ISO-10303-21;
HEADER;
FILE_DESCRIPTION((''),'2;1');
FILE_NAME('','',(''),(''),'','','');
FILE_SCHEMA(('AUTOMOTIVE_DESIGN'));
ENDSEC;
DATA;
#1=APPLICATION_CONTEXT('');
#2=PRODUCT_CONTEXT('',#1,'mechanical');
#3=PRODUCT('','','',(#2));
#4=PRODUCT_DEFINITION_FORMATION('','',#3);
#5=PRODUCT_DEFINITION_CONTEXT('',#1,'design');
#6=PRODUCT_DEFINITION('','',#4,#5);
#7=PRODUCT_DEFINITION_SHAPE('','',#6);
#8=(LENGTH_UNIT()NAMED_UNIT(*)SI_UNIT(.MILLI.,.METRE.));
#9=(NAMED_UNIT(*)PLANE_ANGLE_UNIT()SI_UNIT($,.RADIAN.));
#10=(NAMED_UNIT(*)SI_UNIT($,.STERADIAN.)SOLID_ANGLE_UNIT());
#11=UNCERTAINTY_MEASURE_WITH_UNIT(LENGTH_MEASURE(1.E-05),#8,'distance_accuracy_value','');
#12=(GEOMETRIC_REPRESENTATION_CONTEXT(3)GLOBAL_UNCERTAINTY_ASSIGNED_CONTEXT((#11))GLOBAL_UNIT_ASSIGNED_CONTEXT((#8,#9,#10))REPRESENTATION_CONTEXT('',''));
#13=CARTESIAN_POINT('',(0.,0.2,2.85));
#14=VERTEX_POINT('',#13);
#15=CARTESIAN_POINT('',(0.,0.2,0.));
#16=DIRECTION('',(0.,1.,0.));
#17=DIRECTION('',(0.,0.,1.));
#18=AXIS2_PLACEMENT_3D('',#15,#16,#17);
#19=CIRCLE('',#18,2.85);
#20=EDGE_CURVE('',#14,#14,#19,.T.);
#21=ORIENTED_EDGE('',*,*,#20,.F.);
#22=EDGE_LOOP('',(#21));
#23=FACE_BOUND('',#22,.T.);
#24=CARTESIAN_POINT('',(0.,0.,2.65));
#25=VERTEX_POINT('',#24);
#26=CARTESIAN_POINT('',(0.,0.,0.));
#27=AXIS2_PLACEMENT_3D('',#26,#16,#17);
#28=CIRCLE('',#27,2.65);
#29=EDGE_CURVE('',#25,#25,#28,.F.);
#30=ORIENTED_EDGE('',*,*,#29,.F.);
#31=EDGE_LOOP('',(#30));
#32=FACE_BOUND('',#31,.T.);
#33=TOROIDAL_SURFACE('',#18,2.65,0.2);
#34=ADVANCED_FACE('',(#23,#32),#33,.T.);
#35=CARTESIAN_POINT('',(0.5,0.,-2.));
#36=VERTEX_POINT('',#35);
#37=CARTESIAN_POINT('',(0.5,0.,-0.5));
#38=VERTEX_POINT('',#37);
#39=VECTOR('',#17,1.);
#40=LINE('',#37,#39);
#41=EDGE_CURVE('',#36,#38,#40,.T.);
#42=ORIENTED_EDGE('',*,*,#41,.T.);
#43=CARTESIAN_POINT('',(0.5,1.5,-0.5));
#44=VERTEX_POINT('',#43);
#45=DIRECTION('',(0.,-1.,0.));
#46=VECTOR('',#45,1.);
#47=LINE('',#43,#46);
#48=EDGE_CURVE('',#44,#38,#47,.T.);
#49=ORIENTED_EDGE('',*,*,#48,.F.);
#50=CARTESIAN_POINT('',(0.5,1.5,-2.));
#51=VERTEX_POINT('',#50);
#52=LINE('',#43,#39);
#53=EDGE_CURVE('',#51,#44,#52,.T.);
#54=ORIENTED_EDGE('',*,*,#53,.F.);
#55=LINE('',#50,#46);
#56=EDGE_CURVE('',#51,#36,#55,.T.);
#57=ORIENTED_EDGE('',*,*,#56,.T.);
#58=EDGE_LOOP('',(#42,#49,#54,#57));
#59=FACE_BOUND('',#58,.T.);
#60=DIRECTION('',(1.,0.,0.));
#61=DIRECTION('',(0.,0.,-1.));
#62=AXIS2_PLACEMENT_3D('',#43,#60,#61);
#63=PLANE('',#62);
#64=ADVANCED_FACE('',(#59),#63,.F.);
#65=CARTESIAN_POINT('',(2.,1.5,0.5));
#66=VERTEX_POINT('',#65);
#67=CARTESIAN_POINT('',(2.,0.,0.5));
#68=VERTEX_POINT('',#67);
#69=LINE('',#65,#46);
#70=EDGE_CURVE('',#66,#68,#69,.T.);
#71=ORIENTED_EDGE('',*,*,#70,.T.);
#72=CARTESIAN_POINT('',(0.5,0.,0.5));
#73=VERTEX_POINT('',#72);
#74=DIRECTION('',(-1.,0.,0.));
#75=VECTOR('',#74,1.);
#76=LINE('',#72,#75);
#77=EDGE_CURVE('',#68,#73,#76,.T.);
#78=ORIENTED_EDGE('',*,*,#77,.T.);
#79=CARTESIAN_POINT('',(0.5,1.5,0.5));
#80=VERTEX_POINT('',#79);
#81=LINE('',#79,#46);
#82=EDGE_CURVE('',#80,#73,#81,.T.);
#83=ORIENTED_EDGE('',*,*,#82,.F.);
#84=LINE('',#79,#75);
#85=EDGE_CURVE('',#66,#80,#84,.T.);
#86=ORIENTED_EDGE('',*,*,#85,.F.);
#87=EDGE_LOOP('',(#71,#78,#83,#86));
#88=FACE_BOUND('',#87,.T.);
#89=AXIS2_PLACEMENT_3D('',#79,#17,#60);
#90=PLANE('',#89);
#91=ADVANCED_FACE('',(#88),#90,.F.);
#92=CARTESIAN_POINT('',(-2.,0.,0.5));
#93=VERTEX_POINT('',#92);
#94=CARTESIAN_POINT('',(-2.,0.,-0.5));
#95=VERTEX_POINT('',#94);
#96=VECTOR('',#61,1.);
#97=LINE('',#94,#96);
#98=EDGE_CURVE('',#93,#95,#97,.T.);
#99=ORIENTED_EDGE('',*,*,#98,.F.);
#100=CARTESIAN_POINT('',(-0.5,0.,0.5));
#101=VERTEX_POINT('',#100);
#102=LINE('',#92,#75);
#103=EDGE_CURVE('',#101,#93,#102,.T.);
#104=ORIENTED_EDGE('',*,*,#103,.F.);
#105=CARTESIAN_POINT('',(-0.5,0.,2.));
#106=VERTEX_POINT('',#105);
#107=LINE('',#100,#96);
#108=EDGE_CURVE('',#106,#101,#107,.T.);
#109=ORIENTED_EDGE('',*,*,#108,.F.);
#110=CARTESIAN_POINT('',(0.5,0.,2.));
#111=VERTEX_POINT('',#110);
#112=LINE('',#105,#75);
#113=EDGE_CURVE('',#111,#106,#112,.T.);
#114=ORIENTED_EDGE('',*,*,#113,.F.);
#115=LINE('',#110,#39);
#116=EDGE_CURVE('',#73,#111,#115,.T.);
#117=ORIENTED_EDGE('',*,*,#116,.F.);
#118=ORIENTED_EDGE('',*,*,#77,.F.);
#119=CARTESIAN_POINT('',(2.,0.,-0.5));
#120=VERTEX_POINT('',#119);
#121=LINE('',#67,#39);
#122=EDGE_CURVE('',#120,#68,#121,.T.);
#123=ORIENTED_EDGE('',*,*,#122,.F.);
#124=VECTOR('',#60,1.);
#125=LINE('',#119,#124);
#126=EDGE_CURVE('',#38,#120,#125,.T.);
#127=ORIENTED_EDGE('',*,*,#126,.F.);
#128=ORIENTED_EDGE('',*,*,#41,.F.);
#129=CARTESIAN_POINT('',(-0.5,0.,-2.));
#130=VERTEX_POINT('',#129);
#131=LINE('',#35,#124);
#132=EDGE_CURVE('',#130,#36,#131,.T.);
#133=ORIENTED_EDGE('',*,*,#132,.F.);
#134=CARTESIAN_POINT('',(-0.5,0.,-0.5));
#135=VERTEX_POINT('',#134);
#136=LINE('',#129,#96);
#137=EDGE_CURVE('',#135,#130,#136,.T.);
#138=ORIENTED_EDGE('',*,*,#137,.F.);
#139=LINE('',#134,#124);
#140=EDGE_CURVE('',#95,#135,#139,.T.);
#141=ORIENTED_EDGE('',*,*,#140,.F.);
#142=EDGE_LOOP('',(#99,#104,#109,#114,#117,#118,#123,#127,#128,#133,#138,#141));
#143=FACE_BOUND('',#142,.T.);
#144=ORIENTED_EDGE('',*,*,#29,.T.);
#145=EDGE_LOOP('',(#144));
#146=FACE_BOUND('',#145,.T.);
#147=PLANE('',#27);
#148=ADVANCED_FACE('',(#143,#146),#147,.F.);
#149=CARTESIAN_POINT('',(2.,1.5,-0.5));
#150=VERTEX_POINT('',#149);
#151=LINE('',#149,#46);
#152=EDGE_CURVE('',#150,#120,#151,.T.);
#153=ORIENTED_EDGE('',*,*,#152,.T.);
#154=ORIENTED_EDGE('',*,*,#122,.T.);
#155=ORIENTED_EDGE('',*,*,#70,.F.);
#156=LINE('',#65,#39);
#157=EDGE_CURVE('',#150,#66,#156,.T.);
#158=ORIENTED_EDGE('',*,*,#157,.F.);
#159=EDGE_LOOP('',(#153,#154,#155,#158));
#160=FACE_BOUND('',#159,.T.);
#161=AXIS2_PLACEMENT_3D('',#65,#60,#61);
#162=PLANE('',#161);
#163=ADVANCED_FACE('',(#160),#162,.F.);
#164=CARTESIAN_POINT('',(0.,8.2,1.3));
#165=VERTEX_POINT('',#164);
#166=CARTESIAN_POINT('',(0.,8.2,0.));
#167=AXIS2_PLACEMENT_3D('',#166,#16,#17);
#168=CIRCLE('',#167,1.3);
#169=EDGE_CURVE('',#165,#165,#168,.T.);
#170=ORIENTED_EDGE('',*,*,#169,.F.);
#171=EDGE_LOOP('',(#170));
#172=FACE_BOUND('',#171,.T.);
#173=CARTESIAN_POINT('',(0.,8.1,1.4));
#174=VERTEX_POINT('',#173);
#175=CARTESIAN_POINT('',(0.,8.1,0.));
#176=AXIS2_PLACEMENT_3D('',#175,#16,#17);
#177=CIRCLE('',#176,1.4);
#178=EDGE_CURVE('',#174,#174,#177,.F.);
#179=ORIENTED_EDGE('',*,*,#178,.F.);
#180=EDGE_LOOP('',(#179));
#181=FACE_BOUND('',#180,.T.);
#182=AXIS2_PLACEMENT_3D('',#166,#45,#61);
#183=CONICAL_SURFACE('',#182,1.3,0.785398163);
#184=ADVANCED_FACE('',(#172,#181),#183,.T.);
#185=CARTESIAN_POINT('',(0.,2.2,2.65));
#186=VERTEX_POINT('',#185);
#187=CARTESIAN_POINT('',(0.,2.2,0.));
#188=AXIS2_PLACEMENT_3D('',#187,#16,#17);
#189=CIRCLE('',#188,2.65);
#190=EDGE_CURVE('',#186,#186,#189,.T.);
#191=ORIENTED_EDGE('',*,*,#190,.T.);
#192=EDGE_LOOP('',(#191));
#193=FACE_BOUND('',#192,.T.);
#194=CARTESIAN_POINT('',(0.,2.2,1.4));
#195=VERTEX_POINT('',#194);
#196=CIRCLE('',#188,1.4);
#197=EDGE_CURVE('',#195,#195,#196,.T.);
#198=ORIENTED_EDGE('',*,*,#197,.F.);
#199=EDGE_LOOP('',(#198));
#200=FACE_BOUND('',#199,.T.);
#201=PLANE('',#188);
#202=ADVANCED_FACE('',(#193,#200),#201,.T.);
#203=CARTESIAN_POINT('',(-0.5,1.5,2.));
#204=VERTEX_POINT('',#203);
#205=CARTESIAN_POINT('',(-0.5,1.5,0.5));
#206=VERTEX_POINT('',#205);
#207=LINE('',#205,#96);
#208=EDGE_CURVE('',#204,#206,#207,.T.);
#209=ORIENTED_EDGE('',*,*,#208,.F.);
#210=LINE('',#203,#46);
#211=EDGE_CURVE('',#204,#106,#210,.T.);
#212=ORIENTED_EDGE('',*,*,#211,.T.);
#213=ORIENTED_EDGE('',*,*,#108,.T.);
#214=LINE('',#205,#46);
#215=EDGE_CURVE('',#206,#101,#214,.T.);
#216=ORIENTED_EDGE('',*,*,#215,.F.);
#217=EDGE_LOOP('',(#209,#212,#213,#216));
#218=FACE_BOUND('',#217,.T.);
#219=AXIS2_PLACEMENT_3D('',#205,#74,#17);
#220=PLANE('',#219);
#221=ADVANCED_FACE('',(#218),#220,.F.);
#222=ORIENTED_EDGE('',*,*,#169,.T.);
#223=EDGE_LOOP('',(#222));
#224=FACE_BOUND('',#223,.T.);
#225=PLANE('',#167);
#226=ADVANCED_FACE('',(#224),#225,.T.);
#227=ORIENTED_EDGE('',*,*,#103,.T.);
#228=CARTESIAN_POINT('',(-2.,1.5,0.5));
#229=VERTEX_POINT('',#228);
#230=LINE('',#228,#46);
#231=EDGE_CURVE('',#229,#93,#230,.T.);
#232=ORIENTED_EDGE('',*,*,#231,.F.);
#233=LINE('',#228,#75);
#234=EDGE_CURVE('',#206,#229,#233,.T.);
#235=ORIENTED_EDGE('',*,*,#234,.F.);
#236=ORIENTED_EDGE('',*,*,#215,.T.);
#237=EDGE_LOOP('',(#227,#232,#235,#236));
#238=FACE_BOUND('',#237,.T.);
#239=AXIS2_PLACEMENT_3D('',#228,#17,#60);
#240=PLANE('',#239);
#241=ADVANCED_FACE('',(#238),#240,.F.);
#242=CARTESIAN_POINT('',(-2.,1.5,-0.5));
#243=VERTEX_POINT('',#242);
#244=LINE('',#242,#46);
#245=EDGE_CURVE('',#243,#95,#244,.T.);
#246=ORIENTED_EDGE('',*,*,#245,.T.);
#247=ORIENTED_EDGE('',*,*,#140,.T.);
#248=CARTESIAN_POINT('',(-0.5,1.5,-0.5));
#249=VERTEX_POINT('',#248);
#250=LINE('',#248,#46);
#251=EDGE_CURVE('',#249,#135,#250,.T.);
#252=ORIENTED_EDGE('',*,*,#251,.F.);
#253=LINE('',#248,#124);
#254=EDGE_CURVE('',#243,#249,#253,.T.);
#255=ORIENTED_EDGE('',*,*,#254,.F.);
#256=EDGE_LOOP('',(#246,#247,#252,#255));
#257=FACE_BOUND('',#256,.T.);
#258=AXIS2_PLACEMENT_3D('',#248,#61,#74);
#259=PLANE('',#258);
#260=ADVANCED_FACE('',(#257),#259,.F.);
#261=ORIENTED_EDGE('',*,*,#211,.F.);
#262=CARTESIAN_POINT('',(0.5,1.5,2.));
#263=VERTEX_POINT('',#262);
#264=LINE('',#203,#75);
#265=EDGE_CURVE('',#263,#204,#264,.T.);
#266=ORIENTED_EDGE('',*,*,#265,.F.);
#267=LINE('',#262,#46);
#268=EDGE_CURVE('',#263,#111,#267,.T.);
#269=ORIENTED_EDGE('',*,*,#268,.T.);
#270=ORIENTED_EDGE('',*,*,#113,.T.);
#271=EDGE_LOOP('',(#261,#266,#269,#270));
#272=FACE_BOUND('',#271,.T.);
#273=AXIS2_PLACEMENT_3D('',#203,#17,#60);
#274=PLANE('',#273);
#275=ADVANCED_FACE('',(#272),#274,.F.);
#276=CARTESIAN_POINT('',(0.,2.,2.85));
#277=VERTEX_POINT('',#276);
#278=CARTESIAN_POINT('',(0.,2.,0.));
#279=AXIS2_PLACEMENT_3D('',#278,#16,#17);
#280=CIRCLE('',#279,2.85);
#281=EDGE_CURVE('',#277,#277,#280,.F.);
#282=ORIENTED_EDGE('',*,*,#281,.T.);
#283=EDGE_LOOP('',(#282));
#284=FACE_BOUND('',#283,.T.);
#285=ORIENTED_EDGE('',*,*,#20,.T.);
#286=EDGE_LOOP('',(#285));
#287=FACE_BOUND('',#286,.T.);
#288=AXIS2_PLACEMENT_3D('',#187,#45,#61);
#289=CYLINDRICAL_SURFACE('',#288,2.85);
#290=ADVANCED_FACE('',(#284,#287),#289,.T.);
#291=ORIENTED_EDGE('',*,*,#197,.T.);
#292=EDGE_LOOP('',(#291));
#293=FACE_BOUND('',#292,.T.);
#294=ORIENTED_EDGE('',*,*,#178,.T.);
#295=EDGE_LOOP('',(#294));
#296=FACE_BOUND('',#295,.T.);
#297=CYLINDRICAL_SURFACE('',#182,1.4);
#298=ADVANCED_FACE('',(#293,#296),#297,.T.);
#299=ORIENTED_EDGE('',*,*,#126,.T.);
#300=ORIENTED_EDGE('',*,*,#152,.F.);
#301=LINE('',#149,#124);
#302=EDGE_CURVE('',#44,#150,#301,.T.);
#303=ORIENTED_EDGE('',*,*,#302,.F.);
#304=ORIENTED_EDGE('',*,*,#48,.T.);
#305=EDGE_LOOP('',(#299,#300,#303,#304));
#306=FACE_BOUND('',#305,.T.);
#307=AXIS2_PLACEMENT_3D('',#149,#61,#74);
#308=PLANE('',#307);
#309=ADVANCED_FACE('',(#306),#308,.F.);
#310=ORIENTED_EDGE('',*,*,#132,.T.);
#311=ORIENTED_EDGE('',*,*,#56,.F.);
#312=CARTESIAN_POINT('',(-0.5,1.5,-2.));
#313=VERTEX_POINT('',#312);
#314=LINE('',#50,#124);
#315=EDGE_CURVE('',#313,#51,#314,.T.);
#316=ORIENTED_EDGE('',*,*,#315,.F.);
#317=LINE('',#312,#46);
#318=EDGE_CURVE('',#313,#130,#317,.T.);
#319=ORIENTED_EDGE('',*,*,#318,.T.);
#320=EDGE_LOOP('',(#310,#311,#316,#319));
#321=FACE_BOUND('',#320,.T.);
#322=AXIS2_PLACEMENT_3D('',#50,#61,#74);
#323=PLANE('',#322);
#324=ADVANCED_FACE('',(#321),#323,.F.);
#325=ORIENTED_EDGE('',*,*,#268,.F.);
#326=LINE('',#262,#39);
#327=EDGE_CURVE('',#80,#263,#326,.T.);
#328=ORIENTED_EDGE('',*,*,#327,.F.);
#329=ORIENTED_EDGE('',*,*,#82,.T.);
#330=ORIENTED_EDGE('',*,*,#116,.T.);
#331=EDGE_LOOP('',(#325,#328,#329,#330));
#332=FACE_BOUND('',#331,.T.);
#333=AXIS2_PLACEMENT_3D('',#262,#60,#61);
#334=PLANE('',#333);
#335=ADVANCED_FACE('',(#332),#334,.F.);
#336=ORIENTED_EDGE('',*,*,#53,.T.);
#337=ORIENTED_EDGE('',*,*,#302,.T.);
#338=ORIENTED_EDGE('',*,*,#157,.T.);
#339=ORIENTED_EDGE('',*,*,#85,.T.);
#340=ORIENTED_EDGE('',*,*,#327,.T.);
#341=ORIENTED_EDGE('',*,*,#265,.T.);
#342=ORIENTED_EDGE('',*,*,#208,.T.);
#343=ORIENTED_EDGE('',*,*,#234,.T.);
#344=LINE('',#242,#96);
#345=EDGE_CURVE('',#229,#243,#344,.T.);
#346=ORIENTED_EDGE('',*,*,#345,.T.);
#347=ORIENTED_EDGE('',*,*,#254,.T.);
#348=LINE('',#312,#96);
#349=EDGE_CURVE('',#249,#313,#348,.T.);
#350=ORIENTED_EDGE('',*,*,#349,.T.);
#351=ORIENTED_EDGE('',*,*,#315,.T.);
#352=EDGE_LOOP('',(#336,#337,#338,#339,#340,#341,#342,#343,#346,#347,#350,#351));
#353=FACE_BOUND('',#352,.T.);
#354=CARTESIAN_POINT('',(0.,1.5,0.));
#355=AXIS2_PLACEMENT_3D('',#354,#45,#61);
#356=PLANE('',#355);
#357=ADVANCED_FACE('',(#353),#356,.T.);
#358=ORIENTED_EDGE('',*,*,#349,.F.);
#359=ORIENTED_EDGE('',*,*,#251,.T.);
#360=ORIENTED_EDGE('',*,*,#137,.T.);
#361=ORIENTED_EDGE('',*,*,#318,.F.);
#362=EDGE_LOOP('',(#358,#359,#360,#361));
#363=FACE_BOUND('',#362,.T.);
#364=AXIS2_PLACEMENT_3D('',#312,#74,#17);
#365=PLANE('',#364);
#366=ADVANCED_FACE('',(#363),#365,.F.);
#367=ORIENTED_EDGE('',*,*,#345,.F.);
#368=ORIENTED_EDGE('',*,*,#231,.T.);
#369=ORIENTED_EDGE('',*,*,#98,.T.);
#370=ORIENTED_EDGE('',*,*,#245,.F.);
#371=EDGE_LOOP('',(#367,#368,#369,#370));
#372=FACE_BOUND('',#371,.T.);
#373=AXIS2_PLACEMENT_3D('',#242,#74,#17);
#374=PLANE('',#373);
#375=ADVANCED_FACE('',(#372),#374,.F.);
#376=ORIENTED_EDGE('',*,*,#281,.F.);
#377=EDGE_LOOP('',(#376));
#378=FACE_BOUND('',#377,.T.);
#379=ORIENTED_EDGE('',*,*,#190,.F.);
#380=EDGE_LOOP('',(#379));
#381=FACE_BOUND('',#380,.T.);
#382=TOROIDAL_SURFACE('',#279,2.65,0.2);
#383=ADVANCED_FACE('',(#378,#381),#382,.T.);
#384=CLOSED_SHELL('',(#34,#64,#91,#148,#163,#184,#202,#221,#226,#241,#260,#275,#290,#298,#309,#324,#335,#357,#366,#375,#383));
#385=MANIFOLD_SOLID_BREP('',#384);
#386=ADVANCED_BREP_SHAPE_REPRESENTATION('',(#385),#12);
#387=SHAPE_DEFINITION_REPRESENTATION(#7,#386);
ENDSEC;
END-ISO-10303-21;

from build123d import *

# Parameters (mm, degrees)
SKETCH_1_R          = 2.85
EXTRUDE_1_DEPTH     = 2.2
SKETCH_2_R          = 1.4
EXTRUDE_2_DEPTH     = 6
CHAMFER_1_SIZE      = 0.1
FILLET_1_R          = 0.2
CUT_EXTRUDE_1_DEPTH = 1.5


with BuildPart() as part:
    # Эскиз1 → Бобышка-Вытянуть1 (new body)
    with BuildSketch(Plane(origin=(0, 0, 0), x_dir=(1, 0, 0), z_dir=(0, 1, 0))):
        Circle(SKETCH_1_R)
    extrude(amount=EXTRUDE_1_DEPTH)

    # Эскиз2 → Бобышка-Вытянуть2 (add)
    with BuildSketch(Plane(origin=(0, 2.2, 0), x_dir=(1, 0, 0), z_dir=(0, 1, 0))):
        Circle(SKETCH_2_R)
    extrude(amount=EXTRUDE_2_DEPTH)

    # Фаска1
    chamfer_1_edges = [part.edges().sort_by_distance(p)[0] for p in [
        (-1.4, 8.2, 0),
    ]]
    chamfer(chamfer_1_edges, length=CHAMFER_1_SIZE)

    # Скругление1
    fillet_1_edges = [part.edges().sort_by_distance(p)[0] for p in [
        (-2.85, 0, 0),
        (-2.85, 2.2, 0),
    ]]
    fillet(fillet_1_edges, radius=FILLET_1_R)

    # Эскиз3 → Вырез-Вытянуть1 (cut)
    with BuildSketch(Plane.XZ):
        Polygon((-0.5, 0.5), (-0.5, 2), (0.5, 2), (0.5, 0.5), (2, 0.5), (2, -0.5), (0.5, -0.5), (0.5, -2), (-0.5, -2), (-0.5, -0.5), (-2, -0.5), (-2, 0.5), align=None)
    extrude(amount=-CUT_EXTRUDE_1_DEPTH, mode=Mode.SUBTRACT)


solid = part.part
